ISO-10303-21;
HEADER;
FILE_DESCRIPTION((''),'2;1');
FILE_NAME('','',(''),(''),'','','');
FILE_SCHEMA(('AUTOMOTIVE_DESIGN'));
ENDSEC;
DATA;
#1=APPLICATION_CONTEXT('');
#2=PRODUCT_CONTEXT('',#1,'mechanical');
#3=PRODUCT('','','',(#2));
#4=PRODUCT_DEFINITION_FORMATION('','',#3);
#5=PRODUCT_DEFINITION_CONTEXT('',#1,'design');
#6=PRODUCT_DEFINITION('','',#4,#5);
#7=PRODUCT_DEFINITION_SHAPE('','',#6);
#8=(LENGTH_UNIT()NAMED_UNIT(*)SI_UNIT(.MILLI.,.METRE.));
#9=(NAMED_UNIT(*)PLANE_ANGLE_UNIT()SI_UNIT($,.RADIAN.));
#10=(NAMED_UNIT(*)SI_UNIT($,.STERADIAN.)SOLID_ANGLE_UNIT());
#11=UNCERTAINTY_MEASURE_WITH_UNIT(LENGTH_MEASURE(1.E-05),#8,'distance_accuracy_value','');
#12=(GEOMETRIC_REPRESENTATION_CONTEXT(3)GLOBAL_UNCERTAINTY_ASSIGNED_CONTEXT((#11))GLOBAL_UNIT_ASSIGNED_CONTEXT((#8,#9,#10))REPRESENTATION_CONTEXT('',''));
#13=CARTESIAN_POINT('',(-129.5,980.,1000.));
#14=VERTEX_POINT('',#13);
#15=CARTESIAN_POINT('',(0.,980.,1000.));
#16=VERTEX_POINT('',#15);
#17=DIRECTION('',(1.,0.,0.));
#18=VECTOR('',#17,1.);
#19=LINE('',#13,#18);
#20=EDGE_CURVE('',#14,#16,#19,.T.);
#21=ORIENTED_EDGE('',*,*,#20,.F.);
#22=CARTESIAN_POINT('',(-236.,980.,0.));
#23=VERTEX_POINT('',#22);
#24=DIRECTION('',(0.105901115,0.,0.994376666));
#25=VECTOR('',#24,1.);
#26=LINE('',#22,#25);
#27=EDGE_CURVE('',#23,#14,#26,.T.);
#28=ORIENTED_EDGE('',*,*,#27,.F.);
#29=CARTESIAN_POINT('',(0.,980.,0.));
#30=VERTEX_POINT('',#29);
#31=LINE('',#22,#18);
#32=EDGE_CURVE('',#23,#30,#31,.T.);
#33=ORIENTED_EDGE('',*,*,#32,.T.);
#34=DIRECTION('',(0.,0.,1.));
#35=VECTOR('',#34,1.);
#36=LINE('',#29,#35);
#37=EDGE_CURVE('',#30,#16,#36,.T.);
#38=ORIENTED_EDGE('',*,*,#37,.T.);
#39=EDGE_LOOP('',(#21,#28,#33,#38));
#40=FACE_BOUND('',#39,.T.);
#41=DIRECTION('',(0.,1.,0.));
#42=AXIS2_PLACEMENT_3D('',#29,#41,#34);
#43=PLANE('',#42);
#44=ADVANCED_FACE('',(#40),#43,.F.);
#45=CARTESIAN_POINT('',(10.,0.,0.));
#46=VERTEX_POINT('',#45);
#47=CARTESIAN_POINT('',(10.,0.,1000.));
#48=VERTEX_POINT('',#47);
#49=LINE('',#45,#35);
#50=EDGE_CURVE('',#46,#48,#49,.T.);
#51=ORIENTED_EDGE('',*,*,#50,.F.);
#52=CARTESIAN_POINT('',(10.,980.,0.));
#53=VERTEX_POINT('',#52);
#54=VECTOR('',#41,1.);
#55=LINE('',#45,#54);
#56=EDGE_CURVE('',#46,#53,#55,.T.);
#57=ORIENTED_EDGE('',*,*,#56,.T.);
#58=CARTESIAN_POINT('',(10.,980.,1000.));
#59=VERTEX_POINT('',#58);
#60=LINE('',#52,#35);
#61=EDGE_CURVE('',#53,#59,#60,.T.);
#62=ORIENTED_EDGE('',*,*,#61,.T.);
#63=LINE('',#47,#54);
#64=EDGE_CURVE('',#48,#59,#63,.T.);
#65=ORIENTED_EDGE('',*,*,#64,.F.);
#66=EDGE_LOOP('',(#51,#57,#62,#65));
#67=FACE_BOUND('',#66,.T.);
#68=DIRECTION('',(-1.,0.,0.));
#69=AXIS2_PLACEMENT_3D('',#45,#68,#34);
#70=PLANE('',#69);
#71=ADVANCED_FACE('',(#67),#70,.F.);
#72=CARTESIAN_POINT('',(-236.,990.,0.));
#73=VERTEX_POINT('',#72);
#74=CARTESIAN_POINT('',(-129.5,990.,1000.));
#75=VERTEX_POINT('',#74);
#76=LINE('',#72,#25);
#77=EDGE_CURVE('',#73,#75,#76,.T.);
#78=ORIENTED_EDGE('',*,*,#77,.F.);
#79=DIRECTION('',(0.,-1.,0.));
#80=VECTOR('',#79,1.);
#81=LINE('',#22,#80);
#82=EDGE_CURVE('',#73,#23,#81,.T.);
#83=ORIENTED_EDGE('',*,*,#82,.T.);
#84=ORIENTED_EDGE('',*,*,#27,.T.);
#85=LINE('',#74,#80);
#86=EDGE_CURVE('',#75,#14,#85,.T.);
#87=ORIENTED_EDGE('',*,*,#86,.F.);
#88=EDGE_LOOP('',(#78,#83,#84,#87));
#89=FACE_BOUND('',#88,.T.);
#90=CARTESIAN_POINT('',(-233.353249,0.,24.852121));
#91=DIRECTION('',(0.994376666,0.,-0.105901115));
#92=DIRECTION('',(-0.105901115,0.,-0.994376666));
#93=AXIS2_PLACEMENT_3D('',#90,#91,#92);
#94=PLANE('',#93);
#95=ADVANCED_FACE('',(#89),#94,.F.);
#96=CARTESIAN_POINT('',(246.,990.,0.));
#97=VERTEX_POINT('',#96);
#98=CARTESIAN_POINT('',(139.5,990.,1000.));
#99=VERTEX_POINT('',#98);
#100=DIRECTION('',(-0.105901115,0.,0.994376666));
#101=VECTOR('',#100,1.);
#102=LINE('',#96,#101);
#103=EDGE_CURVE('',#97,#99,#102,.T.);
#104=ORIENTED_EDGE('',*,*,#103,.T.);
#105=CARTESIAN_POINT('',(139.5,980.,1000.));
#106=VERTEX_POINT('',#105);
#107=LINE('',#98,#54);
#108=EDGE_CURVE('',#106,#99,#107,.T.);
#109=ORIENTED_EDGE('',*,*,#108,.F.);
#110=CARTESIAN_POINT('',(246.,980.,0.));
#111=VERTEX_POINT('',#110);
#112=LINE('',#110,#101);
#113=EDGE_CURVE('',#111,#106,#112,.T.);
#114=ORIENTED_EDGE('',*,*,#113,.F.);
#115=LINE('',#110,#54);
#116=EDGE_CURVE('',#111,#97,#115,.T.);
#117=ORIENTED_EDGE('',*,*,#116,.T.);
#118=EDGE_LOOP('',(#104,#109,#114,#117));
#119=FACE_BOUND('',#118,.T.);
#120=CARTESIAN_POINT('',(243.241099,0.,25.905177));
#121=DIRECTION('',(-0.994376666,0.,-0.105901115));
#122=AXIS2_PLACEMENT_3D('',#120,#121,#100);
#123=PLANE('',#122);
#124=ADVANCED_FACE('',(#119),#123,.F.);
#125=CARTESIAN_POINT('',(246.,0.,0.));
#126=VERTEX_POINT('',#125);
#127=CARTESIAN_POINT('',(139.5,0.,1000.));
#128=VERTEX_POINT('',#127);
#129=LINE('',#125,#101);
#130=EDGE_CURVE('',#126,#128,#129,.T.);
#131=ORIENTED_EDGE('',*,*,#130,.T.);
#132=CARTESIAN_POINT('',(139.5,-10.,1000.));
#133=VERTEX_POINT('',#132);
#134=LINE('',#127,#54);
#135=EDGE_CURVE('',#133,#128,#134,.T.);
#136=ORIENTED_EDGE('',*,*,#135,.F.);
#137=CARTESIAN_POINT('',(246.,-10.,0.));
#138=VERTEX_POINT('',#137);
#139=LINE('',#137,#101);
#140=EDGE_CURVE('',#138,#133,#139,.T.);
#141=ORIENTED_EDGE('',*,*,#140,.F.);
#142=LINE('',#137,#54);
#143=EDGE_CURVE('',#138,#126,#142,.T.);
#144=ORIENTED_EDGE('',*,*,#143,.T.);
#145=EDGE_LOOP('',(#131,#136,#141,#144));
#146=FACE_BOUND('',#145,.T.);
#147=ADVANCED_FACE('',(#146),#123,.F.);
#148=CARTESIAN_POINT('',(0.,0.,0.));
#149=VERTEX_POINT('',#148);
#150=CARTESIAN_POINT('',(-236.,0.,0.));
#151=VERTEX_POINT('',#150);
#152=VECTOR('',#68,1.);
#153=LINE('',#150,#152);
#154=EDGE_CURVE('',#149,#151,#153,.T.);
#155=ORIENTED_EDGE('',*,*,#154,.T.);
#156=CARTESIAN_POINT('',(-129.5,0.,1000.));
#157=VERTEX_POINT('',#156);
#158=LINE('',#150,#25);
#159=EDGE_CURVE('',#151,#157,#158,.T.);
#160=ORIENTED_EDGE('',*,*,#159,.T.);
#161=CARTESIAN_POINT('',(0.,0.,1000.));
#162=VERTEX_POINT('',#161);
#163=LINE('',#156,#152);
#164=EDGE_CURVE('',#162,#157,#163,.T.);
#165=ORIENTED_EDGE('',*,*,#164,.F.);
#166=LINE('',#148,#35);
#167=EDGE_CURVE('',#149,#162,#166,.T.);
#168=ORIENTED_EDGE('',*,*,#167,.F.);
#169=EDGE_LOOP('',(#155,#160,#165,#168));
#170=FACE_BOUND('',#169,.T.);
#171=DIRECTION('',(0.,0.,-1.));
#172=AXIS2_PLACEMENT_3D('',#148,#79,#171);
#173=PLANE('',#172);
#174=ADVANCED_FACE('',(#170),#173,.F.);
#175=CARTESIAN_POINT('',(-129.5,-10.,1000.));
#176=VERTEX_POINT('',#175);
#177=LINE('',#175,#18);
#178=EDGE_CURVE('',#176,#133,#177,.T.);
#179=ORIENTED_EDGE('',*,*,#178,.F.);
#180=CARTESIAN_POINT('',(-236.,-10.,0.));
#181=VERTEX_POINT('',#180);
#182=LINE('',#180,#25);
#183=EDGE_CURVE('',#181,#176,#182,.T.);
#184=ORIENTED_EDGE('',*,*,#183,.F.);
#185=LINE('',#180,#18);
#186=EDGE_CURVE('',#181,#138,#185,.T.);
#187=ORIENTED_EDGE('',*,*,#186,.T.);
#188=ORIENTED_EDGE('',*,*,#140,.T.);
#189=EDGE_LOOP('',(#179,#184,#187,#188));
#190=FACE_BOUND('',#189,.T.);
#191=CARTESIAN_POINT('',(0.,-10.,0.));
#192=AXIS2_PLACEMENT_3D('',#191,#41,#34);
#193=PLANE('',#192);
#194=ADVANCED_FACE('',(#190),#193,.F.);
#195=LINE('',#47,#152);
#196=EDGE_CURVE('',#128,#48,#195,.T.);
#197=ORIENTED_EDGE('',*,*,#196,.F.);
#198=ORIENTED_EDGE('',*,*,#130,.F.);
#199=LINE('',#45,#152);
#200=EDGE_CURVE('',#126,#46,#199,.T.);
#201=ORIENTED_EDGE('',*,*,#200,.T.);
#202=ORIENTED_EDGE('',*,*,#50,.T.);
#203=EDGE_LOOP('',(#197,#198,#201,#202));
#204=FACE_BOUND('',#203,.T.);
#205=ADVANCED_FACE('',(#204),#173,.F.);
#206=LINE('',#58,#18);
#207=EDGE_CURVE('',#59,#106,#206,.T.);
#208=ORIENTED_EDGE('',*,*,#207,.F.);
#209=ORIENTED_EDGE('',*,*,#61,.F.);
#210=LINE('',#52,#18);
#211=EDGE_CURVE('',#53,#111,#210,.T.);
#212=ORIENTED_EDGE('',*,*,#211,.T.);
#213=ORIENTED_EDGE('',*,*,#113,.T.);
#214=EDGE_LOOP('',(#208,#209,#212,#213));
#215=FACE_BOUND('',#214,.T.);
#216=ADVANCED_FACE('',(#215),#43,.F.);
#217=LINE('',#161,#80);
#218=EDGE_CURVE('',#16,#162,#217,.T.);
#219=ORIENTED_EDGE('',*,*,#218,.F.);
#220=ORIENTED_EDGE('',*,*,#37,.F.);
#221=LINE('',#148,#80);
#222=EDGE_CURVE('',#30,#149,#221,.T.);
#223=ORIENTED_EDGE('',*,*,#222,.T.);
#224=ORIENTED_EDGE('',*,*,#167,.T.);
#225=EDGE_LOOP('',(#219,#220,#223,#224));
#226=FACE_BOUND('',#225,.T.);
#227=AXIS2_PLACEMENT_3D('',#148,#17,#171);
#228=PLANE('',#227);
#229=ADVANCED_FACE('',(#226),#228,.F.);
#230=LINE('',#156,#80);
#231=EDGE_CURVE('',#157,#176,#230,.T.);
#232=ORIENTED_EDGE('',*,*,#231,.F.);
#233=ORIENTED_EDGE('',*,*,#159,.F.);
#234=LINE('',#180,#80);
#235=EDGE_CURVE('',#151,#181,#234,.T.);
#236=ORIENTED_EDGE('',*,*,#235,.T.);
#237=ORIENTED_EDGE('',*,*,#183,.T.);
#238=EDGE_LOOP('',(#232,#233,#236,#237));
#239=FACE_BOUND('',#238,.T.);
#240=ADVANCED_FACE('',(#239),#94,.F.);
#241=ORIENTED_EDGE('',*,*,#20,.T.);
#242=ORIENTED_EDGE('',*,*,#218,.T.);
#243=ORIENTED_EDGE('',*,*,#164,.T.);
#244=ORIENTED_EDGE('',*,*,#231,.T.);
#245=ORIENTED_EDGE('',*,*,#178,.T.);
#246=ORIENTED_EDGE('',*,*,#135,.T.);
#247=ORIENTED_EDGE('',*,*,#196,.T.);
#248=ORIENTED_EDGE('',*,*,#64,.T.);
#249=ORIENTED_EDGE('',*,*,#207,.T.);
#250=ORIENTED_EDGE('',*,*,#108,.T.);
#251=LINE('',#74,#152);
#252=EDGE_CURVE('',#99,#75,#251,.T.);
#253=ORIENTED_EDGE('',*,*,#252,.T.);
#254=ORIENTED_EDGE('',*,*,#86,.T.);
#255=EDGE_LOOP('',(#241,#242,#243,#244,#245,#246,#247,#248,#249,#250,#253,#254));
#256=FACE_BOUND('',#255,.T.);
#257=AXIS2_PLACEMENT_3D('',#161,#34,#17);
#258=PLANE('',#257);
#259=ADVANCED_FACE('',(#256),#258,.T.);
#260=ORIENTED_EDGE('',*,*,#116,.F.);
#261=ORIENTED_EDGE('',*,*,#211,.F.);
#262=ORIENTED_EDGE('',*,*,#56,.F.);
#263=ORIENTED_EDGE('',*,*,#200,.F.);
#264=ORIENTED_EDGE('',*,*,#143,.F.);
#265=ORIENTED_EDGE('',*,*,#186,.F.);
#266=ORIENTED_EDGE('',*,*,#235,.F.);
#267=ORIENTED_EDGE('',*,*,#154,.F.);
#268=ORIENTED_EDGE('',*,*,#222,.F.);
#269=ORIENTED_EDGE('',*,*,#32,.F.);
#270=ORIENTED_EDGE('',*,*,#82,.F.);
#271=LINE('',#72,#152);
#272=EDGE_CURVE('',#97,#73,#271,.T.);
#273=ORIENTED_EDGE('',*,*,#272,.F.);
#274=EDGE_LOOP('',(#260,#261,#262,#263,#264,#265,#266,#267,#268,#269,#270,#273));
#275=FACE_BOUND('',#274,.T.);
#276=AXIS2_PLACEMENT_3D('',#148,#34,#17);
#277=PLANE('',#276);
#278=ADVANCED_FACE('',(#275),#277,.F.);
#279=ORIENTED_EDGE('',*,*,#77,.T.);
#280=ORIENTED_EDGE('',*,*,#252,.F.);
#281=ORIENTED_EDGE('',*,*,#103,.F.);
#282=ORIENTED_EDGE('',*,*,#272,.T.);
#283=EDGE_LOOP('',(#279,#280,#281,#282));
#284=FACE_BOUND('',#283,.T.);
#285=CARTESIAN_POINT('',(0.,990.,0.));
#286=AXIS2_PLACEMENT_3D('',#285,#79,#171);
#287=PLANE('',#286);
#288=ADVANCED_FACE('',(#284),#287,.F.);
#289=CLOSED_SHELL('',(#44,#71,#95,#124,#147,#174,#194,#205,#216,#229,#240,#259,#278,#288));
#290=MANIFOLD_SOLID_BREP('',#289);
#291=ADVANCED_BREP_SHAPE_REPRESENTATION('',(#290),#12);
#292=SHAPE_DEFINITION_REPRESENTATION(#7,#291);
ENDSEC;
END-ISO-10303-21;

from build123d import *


with BuildPart() as part:
    # Sketch1 → Loft3 section 0
    with BuildSketch(Plane.XY):
        Polygon((-236, -10), (246, -10), (246, 0), (10, 0), (10, 980), (246, 980), (246, 990), (-236, 990), (-236, 980), (0, 980), (0, 0), (-236, 0), align=None)
    # Sketch3 → Loft3 section 1
    with BuildSketch(Plane.XY.offset(1000)):
        Polygon((-129.5, 990), (139.5, 990), (139.5, 980), (10, 980), (10, 0), (139.5, 0), (139.5, -10), (-129.5, -10), (-129.5, 0), (0, 0), (0, 980), (-129.5, 980), align=None)
    loft()


solid = part.part
